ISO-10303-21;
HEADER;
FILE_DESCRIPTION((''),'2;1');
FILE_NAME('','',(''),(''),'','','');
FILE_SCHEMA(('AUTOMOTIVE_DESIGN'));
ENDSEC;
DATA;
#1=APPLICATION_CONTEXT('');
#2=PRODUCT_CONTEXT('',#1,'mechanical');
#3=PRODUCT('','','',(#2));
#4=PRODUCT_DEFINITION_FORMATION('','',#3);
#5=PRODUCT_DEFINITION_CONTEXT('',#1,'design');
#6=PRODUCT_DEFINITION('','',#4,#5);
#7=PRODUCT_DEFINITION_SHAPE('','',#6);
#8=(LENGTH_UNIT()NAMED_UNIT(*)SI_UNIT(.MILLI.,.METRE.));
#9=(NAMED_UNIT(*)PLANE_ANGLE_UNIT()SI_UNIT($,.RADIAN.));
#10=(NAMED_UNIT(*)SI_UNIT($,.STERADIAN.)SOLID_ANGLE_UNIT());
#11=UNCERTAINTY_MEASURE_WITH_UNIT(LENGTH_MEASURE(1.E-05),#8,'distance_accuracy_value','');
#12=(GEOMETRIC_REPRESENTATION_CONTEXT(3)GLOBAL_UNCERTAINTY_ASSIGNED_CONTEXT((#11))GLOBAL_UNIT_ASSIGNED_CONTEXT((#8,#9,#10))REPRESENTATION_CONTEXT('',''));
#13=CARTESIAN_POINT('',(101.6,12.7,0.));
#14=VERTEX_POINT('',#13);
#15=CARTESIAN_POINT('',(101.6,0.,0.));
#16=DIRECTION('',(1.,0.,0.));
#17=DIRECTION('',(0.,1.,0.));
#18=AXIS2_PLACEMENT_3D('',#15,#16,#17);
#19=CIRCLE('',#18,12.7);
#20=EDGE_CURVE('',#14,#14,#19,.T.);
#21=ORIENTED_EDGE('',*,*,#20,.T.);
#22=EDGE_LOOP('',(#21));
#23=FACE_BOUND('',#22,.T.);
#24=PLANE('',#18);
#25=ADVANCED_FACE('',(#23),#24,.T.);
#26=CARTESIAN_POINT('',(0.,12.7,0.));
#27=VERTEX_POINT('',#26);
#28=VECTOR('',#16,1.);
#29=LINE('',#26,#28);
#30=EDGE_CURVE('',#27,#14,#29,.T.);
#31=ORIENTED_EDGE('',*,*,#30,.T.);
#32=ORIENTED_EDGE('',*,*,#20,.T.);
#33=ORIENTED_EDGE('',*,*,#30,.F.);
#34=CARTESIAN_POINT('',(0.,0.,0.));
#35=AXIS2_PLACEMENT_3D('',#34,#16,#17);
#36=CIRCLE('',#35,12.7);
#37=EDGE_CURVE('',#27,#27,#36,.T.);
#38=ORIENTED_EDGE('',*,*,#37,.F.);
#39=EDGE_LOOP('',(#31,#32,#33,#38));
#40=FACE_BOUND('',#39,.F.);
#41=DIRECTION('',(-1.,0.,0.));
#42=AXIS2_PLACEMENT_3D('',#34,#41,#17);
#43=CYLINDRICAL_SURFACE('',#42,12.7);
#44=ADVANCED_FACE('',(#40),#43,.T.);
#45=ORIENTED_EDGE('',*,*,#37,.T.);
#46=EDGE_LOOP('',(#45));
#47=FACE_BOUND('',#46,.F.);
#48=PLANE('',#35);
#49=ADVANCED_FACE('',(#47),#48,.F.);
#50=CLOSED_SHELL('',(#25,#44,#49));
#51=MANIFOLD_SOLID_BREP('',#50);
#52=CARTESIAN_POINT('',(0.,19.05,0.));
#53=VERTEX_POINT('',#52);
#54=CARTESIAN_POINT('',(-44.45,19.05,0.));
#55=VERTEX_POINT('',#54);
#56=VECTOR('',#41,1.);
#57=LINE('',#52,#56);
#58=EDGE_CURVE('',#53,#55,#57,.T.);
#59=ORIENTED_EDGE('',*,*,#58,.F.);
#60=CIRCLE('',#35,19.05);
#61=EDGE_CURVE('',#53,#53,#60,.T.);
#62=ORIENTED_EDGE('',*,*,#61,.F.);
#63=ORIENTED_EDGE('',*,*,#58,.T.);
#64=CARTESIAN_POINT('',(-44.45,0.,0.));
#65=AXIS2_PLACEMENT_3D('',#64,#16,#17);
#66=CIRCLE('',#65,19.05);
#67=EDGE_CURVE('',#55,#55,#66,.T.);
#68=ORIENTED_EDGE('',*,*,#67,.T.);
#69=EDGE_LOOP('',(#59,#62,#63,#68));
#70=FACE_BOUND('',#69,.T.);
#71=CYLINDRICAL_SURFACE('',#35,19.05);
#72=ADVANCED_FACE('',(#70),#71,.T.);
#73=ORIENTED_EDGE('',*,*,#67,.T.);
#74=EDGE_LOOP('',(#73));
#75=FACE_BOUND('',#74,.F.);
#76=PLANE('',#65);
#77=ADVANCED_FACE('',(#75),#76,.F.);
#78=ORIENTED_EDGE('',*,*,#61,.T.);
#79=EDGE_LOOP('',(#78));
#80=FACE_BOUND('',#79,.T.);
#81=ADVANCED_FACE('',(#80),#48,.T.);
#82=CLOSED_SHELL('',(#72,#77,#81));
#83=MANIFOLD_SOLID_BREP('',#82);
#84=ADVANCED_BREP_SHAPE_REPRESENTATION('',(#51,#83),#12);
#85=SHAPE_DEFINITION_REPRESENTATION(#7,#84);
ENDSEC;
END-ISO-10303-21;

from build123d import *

# Parameters (mm, degrees)
F0_R     = 12.7
F1_DEPTH = 101.6
F2_R     = 19.05
F3_DEPTH = 44.45


with BuildPart() as f1:
    # F0 (on Right) → F1 (new body)
    with BuildSketch(Plane.YZ):
        Circle(F0_R)
    extrude(amount=F1_DEPTH)


with BuildPart() as f3:
    # F2 (on Right) → F3 (new body)
    with BuildSketch(Plane.YZ):
        Circle(F2_R)
    extrude(amount=-F3_DEPTH)


solid = Compound([f1.part, f3.part])
